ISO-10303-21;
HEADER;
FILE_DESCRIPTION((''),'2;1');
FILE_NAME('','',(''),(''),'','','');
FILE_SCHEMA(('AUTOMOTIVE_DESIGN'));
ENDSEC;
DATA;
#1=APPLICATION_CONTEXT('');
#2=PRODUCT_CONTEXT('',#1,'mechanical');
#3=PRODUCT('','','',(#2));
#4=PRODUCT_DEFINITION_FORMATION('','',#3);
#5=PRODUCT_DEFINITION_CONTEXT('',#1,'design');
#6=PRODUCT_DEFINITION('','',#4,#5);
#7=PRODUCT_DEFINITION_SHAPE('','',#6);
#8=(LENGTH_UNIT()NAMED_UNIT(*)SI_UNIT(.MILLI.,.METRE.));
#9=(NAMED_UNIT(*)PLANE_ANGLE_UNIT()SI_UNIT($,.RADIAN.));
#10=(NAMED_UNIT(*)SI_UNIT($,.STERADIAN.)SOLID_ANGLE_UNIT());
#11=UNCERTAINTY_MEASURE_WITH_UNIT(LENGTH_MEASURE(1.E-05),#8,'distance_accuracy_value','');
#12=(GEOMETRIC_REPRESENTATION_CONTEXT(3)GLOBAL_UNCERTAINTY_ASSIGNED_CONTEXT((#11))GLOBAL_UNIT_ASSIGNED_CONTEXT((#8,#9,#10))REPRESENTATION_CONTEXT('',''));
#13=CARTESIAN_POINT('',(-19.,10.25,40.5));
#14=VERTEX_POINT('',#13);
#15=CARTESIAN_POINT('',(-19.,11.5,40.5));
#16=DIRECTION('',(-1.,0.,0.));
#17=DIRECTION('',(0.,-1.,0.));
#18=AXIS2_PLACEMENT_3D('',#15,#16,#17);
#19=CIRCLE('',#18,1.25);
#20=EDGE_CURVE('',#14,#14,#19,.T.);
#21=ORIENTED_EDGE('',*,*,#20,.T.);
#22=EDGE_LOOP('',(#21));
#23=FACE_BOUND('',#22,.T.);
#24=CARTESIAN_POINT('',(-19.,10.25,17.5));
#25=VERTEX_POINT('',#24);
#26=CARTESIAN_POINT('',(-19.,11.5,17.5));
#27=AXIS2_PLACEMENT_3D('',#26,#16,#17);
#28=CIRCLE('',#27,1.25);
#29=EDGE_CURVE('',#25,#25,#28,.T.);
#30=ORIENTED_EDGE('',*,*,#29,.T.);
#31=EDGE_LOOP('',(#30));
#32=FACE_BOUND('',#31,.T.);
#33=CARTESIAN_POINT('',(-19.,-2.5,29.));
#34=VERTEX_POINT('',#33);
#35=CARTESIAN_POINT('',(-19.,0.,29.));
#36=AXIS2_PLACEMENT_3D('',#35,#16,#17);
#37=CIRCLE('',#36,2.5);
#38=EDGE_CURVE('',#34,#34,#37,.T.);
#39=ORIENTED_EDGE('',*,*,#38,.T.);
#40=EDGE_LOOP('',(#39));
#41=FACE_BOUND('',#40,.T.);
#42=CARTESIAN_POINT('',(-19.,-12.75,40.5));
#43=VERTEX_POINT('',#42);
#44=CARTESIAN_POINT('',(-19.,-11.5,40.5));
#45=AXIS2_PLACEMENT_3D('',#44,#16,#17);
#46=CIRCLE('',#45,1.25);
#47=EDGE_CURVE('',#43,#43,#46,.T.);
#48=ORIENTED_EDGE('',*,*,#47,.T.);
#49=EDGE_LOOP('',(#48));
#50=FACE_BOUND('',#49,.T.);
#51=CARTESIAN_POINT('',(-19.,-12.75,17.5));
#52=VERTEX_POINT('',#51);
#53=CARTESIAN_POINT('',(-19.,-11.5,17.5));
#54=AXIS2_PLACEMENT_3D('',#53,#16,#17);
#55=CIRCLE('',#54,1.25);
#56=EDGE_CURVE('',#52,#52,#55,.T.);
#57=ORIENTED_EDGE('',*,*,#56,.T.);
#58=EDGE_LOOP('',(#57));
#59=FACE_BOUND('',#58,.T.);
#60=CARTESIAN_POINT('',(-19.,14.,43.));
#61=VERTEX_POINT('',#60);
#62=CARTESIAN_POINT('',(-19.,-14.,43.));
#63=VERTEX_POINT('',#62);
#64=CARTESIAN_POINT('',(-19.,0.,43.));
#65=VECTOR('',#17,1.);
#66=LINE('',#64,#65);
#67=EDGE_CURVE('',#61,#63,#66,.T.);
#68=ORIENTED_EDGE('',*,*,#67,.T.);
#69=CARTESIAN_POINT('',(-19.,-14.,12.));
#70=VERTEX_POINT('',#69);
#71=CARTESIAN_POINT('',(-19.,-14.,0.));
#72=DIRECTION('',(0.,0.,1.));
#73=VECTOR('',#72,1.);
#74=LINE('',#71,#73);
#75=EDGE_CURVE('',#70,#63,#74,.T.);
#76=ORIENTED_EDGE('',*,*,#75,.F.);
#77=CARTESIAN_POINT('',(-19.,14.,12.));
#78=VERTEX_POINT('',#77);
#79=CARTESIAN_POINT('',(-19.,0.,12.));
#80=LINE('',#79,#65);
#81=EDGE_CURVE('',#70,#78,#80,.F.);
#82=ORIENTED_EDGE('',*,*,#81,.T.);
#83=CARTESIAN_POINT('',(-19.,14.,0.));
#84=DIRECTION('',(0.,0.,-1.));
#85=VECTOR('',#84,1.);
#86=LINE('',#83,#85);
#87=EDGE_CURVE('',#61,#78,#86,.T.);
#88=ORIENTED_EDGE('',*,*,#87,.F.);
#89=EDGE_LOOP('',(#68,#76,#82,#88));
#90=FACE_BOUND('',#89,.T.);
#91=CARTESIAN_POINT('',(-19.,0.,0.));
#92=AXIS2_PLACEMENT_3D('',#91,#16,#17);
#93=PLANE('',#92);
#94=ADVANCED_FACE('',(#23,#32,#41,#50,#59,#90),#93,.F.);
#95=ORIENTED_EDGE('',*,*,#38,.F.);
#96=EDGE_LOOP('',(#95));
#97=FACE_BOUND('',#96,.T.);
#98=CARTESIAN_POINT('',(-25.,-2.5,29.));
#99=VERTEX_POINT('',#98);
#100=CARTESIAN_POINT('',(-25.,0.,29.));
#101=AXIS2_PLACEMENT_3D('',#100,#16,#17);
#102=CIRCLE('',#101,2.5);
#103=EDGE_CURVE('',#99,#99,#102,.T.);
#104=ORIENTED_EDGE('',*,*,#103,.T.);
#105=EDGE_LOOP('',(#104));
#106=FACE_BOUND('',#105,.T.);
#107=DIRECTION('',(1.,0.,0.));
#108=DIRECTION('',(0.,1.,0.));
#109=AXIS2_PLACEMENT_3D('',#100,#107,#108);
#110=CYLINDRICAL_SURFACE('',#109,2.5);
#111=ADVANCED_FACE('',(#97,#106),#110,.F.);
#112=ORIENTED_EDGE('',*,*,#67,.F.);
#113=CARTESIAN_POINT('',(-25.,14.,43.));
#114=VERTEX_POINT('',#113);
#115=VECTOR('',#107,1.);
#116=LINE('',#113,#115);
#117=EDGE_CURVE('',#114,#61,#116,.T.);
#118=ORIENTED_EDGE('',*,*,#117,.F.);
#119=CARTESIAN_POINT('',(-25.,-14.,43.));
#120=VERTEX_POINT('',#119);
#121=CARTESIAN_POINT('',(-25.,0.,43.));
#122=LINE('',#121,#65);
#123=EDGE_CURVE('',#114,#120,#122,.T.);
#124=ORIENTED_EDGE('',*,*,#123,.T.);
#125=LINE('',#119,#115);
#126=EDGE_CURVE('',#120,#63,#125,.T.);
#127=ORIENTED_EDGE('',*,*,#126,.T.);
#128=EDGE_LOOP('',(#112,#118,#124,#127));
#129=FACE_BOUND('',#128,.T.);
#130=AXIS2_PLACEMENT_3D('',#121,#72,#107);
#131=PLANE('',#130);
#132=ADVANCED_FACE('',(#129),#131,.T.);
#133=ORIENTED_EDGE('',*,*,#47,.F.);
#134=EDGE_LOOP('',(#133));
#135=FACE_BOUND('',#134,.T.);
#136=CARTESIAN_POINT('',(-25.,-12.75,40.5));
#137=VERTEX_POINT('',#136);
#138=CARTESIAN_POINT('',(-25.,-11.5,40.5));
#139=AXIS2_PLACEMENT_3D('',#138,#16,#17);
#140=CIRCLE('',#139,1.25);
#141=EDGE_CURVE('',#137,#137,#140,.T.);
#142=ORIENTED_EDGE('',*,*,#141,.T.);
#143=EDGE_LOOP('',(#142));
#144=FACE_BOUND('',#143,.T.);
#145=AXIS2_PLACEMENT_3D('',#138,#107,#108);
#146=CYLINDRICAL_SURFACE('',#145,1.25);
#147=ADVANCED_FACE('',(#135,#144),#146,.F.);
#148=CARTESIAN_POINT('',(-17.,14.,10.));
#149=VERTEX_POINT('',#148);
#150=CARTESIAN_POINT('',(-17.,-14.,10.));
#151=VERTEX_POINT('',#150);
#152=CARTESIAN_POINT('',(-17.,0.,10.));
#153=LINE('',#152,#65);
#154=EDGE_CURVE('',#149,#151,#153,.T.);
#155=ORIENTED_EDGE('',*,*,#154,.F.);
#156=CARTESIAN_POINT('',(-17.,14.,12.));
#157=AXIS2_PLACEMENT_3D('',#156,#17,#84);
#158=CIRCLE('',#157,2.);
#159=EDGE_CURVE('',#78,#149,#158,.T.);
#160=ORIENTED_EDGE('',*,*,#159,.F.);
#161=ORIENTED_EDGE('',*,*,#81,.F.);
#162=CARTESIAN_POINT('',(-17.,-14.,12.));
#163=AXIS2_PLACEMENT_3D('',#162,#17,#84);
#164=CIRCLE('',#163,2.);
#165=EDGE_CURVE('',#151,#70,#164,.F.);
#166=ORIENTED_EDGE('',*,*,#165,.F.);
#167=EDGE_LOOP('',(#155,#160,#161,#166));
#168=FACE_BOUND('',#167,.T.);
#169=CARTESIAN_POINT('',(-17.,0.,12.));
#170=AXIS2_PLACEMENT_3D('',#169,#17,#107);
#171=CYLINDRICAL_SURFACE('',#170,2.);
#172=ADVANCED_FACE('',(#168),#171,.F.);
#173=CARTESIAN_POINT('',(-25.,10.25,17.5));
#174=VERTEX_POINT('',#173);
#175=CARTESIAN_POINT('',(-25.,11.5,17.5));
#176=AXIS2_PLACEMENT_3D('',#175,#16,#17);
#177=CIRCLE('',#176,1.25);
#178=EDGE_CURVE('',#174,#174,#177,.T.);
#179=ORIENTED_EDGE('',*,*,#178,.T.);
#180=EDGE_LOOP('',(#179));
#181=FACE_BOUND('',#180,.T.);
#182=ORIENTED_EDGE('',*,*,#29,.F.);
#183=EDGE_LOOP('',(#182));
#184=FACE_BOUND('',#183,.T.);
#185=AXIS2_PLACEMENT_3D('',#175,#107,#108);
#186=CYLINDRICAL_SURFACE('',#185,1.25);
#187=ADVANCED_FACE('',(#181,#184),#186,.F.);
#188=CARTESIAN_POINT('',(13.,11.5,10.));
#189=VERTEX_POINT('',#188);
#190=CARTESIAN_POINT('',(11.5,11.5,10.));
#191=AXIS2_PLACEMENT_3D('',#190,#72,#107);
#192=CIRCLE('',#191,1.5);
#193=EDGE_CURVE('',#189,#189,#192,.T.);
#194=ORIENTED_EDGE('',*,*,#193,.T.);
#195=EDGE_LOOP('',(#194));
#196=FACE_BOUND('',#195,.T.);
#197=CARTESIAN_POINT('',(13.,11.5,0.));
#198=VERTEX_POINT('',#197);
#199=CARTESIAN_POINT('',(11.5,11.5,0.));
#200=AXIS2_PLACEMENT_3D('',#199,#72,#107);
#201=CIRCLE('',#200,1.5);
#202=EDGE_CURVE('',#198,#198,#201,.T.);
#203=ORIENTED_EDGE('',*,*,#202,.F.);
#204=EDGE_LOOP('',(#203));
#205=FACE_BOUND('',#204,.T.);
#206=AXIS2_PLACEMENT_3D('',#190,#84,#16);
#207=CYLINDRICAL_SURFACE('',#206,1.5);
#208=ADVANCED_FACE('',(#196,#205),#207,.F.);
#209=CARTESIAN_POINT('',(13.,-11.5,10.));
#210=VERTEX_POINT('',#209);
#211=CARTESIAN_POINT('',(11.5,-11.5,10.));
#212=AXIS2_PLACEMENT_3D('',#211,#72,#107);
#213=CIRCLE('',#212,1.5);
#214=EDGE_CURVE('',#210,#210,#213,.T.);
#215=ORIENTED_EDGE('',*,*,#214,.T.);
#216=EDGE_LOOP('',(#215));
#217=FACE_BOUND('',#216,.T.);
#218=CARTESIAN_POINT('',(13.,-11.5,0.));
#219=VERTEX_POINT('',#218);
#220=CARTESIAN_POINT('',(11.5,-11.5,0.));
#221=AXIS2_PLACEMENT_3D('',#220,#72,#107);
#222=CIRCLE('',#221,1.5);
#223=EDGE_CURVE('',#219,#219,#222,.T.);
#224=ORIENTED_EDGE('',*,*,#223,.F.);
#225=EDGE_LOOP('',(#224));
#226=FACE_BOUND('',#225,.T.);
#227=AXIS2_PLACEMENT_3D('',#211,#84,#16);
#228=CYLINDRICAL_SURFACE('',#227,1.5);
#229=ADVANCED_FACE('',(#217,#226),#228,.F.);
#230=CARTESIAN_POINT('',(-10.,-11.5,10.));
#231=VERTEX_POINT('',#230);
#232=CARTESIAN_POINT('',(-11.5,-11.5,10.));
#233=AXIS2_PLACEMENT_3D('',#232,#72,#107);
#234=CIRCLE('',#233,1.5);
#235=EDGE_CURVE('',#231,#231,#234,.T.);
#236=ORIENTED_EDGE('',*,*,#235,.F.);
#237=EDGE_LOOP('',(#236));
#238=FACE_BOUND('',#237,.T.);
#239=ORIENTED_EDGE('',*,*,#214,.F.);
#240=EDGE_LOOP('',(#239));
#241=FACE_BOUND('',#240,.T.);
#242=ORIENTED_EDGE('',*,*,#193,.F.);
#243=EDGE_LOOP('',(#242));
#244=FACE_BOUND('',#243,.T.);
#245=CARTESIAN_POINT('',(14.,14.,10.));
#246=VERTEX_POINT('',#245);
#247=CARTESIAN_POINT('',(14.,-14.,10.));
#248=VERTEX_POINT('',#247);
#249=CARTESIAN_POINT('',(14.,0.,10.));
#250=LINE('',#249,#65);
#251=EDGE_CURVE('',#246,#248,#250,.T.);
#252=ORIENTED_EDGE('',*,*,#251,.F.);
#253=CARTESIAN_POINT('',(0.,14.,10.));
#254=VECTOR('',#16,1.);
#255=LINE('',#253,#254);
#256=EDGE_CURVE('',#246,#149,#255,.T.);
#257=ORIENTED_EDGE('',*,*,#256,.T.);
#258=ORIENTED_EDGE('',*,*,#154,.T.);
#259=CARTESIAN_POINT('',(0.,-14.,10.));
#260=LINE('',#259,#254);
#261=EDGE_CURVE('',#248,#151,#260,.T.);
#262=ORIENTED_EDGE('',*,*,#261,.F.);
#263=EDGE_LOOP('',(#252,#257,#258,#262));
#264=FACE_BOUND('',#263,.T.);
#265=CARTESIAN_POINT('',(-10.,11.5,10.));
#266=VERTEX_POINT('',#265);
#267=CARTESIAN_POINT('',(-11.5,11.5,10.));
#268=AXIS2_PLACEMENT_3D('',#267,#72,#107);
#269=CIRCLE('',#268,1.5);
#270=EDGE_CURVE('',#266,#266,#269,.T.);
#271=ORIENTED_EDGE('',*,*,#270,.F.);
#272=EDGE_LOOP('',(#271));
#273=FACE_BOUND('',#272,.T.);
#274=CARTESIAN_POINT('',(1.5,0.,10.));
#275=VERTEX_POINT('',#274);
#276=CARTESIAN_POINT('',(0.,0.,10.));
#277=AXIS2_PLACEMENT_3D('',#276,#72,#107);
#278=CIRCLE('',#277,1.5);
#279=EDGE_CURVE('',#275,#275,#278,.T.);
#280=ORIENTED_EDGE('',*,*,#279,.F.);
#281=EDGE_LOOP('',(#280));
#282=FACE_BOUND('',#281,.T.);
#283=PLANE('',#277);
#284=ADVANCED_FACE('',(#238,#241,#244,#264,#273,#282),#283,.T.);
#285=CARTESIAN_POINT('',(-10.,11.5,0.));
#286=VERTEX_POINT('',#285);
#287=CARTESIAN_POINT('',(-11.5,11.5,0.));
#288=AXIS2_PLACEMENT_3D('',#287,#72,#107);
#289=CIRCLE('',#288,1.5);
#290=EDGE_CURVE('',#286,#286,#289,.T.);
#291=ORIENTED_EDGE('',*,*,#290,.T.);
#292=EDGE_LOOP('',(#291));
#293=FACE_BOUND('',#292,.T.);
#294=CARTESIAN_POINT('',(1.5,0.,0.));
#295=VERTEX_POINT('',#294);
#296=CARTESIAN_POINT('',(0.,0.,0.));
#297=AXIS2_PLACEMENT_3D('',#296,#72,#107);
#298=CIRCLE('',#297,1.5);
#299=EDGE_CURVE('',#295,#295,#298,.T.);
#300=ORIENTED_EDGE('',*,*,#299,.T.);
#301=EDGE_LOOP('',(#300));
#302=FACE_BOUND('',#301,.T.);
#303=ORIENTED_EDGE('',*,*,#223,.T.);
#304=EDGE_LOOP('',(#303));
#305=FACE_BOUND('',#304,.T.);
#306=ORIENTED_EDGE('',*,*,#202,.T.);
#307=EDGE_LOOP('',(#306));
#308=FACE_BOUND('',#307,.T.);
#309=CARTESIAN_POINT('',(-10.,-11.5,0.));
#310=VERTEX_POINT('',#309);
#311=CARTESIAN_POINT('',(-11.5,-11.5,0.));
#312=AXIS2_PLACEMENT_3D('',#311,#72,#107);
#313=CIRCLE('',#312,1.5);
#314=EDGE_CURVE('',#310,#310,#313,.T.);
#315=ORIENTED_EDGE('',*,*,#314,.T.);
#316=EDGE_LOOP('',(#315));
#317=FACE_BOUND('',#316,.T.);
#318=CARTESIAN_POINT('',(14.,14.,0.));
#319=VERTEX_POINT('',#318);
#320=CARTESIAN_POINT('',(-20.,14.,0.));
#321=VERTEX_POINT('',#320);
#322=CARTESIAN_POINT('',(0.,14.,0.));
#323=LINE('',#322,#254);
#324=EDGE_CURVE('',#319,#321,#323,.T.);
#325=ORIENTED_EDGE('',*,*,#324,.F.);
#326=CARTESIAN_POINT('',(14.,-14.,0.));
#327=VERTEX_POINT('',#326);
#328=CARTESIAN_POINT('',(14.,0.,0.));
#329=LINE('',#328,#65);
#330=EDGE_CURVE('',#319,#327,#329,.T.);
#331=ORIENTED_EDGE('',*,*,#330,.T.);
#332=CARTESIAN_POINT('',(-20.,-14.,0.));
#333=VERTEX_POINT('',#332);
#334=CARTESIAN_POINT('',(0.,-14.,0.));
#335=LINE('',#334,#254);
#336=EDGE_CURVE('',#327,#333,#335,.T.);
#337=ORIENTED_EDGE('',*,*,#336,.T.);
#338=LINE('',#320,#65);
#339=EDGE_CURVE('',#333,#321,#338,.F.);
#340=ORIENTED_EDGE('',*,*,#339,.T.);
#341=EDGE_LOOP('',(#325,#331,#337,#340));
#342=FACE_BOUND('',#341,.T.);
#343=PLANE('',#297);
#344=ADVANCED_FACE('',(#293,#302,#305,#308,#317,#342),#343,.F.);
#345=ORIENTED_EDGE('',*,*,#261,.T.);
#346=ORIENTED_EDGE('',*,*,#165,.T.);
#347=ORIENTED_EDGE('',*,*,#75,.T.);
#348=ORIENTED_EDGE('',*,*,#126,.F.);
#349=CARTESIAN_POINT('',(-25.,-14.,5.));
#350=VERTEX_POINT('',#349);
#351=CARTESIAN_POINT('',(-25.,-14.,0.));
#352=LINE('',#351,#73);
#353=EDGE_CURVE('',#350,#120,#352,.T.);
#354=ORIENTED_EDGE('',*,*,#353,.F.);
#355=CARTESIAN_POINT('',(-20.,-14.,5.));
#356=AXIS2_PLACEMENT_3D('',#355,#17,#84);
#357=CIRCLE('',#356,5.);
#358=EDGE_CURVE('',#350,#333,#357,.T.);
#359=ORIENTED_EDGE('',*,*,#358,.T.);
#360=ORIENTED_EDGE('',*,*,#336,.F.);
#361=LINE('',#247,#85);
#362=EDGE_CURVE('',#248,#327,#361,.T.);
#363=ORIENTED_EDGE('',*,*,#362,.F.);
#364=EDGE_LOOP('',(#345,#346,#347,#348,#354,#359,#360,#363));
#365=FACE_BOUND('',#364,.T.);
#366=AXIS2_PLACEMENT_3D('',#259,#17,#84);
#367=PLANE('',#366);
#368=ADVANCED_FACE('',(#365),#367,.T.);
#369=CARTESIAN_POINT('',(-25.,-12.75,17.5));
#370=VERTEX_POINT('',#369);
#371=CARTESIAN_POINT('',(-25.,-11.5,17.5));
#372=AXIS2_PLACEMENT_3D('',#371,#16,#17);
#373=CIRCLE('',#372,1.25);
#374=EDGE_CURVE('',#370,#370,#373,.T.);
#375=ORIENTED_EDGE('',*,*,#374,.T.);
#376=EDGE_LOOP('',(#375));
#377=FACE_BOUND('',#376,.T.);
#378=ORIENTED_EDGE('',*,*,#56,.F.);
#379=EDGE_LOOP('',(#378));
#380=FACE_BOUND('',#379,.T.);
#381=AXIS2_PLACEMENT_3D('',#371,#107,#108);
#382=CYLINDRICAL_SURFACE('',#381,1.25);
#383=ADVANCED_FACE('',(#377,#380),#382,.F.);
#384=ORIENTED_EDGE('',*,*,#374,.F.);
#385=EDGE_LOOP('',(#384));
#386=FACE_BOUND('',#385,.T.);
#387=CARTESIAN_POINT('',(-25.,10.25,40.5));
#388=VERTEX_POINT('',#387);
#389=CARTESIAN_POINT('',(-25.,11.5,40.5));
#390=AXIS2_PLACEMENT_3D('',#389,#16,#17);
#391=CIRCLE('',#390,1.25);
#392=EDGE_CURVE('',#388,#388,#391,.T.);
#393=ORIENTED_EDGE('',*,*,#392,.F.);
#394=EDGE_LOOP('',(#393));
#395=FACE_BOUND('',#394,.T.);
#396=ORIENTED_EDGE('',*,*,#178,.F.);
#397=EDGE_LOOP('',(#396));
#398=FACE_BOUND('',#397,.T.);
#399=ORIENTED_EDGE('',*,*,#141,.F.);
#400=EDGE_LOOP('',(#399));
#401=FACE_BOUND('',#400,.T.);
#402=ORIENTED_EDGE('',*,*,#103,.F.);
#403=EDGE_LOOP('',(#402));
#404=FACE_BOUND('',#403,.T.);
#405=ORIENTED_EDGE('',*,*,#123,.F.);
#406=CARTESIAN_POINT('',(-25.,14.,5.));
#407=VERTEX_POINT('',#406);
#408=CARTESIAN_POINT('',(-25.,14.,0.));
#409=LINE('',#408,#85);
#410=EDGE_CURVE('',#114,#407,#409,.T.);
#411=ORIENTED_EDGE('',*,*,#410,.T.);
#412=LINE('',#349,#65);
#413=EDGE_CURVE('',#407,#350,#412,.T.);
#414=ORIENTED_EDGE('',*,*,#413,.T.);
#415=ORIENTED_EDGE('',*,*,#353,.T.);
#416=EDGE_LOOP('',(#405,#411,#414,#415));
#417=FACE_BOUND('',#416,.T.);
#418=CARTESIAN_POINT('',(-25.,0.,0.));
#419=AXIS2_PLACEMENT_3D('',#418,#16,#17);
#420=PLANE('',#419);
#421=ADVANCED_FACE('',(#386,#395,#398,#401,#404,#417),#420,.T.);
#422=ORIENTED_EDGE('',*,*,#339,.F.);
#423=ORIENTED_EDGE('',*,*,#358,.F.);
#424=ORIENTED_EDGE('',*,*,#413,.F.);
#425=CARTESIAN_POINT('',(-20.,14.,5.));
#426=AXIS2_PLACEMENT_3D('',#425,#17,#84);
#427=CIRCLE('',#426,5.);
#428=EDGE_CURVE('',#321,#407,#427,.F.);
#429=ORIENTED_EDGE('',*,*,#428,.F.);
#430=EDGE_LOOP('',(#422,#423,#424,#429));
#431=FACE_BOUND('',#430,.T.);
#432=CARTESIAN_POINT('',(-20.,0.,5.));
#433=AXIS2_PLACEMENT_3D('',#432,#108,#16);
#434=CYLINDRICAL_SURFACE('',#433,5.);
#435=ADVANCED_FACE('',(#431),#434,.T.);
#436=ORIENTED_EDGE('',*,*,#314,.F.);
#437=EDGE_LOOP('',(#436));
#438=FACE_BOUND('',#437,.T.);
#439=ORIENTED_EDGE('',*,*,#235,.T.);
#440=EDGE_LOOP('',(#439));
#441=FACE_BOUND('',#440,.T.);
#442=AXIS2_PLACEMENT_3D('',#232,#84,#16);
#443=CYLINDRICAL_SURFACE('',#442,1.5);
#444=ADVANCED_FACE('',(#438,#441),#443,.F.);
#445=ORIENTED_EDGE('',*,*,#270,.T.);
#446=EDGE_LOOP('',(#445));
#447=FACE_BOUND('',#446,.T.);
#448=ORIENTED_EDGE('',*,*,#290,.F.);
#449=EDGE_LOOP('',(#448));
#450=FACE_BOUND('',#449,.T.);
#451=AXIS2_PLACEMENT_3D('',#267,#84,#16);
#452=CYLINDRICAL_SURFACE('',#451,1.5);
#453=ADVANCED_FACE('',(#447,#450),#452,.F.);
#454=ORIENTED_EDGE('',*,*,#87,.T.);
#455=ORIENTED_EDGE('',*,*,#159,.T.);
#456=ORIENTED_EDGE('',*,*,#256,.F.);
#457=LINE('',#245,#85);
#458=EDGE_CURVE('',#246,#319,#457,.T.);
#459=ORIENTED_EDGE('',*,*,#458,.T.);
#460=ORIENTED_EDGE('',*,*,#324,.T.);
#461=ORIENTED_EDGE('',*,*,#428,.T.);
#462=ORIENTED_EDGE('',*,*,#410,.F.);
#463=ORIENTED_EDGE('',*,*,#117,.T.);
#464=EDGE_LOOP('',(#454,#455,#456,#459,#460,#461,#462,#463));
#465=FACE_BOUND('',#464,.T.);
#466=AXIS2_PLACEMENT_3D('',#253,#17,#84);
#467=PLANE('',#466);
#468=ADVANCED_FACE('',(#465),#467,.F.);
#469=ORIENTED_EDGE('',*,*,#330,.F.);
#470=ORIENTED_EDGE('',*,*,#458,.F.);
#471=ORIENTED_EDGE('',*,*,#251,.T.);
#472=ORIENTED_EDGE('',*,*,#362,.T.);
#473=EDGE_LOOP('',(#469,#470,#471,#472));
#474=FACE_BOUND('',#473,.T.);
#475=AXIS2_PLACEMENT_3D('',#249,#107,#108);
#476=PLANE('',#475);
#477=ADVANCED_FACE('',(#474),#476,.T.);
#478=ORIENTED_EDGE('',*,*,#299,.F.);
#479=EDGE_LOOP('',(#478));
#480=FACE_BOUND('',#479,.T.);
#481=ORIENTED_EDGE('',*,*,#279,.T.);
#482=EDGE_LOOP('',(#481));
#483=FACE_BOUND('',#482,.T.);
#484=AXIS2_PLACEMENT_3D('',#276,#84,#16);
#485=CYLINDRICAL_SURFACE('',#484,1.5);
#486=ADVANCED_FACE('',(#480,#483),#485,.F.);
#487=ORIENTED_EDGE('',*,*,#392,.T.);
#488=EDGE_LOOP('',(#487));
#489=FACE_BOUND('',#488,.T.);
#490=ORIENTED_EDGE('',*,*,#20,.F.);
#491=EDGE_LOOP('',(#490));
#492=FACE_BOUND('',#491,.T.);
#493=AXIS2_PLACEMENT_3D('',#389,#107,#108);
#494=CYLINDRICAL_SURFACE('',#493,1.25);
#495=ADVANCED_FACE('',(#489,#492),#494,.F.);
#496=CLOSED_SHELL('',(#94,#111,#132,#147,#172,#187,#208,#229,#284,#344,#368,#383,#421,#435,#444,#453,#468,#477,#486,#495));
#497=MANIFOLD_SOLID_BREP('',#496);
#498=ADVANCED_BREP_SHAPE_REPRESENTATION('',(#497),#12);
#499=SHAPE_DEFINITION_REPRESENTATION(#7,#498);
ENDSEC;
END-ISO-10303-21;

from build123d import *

# Parameters (mm, degrees)
SKETCH_1_W      = 5
SKETCH_1_H      = 28
SKETCH_1_W_2    = 28
SKETCH_1_R      = 1.5
EXTRUDE_1_DEPTH = 10
SKETCH_3_W      = 10
SKETCH_3_H      = 28
SKETCH_3_W_2    = 5
EXTRUDE_3_DEPTH = 6
FILLET_3_R      = 5
FILLET_4_R      = 2


with BuildPart() as part:
    # 草图1 → 凸台-拉伸1 (new body)
    # profile 1 of 2: a face of its own
    with BuildSketch(Plane.XY):
        with Locations((-16.5, 0)):
            Rectangle(SKETCH_1_W, SKETCH_1_H)
    # profile 2 of 2: a face of its own
    with BuildSketch(Plane.XY):
        Rectangle(SKETCH_1_W_2, SKETCH_1_H)
        Circle(SKETCH_1_R, mode=Mode.SUBTRACT)
        with Locations((11.5, -11.5)):
            Circle(SKETCH_1_R, mode=Mode.SUBTRACT)
        with Locations((-11.5, -11.5)):
            Circle(SKETCH_1_R, mode=Mode.SUBTRACT)
        with Locations((11.5, 11.5)):
            Circle(SKETCH_1_R, mode=Mode.SUBTRACT)
        with Locations((-11.5, 11.5)):
            Circle(SKETCH_1_R, mode=Mode.SUBTRACT)
    extrude(amount=EXTRUDE_1_DEPTH)

    # 草图3 → 凸台-拉伸3 (add)
    with BuildSketch(Plane.ZY.offset(19)):
        with Locations((5, 0)):
            Rectangle(SKETCH_3_W, SKETCH_3_H)
        with Locations((12.5, 0)):
            Rectangle(SKETCH_3_W_2, SKETCH_3_H)
        with BuildLine():
            Line((16.616116524, 12.383883476), (15, 14))
            Line((15, 14), (15, -14))
            Line((15, -14), (16.616116524, -12.383883476))
            ThreePointArc((16.616116524, -12.383883476), (16.616116524, -10.616116524), (18.383883476, -10.616116524))
            Line((18.383883476, -10.616116524), (27.232233047, -1.767766953))
            ThreePointArc((27.232233047, -1.767766953), (26.5, 0), (27.232233047, 1.767766953))
            Line((27.232233047, 1.767766953), (18.383883476, 10.616116524))
            ThreePointArc((18.383883476, 10.616116524), (16.616116524, 10.616116524), (16.616116524, 12.383883476))
        make_face()
        with BuildLine():
            Line((43, 14), (15, 14))
            Line((15, 14), (16.616116524, 12.383883476))
            ThreePointArc((16.616116524, 12.383883476), (17.97835429, 12.654849416), (18.75, 11.5))
            ThreePointArc((18.75, 11.5), (18.654849416, 11.02164571), (18.383883476, 10.616116524))
            Line((18.383883476, 10.616116524), (27.232233047, 1.767766953))
            ThreePointArc((27.232233047, 1.767766953), (29, 2.5), (30.767766953, 1.767766953))
            Line((30.767766953, 1.767766953), (39.616116524, 10.616116524))
            ThreePointArc((39.616116524, 10.616116524), (39.616116524, 12.383883476), (41.383883476, 12.383883476))
            Line((41.383883476, 12.383883476), (43, 14))
        make_face()
        with BuildLine():
            Line((43, -14), (43, 14))
            Line((43, 14), (41.383883476, 12.383883476))
            ThreePointArc((41.383883476, 12.383883476), (41.654849416, 11.97835429), (41.75, 11.5))
            ThreePointArc((41.75, 11.5), (40.97835429, 10.345150584), (39.616116524, 10.616116524))
            Line((39.616116524, 10.616116524), (30.767766953, 1.767766953))
            ThreePointArc((30.767766953, 1.767766953), (31.309698831, 0.956708581), (31.5, 0))
            ThreePointArc((31.5, 0), (31.309698831, -0.956708581), (30.767766953, -1.767766953))
            Line((30.767766953, -1.767766953), (39.616116524, -10.616116524))
            ThreePointArc((39.616116524, -10.616116524), (40.97835429, -10.345150584), (41.75, -11.5))
            ThreePointArc((41.75, -11.5), (41.654849416, -11.97835429), (41.383883476, -12.383883476))
            Line((41.383883476, -12.383883476), (43, -14))
        make_face()
        with BuildLine():
            Line((16.616116524, -12.383883476), (15, -14))
            Line((15, -14), (43, -14))
            Line((43, -14), (41.383883476, -12.383883476))
            ThreePointArc((41.383883476, -12.383883476), (39.616116524, -12.383883476), (39.616116524, -10.616116524))
            Line((39.616116524, -10.616116524), (30.767766953, -1.767766953))
            ThreePointArc((30.767766953, -1.767766953), (29, -2.5), (27.232233047, -1.767766953))
            Line((27.232233047, -1.767766953), (18.383883476, -10.616116524))
            ThreePointArc((18.383883476, -10.616116524), (18.654849416, -11.02164571), (18.75, -11.5))
            ThreePointArc((18.75, -11.5), (17.97835429, -12.654849416), (16.616116524, -12.383883476))
        make_face()
    extrude(amount=EXTRUDE_3_DEPTH)

    # 圆角3
    fillet_3_edges = [part.edges().sort_by_distance(p)[0] for p in [
        (-25, 0, 0),
    ]]
    fillet(fillet_3_edges, radius=FILLET_3_R)

    # 圆角4
    fillet_4_edges = [part.edges().sort_by_distance(p)[0] for p in [
        (-19, 0, 10),
    ]]
    fillet(fillet_4_edges, radius=FILLET_4_R)


solid = part.part
